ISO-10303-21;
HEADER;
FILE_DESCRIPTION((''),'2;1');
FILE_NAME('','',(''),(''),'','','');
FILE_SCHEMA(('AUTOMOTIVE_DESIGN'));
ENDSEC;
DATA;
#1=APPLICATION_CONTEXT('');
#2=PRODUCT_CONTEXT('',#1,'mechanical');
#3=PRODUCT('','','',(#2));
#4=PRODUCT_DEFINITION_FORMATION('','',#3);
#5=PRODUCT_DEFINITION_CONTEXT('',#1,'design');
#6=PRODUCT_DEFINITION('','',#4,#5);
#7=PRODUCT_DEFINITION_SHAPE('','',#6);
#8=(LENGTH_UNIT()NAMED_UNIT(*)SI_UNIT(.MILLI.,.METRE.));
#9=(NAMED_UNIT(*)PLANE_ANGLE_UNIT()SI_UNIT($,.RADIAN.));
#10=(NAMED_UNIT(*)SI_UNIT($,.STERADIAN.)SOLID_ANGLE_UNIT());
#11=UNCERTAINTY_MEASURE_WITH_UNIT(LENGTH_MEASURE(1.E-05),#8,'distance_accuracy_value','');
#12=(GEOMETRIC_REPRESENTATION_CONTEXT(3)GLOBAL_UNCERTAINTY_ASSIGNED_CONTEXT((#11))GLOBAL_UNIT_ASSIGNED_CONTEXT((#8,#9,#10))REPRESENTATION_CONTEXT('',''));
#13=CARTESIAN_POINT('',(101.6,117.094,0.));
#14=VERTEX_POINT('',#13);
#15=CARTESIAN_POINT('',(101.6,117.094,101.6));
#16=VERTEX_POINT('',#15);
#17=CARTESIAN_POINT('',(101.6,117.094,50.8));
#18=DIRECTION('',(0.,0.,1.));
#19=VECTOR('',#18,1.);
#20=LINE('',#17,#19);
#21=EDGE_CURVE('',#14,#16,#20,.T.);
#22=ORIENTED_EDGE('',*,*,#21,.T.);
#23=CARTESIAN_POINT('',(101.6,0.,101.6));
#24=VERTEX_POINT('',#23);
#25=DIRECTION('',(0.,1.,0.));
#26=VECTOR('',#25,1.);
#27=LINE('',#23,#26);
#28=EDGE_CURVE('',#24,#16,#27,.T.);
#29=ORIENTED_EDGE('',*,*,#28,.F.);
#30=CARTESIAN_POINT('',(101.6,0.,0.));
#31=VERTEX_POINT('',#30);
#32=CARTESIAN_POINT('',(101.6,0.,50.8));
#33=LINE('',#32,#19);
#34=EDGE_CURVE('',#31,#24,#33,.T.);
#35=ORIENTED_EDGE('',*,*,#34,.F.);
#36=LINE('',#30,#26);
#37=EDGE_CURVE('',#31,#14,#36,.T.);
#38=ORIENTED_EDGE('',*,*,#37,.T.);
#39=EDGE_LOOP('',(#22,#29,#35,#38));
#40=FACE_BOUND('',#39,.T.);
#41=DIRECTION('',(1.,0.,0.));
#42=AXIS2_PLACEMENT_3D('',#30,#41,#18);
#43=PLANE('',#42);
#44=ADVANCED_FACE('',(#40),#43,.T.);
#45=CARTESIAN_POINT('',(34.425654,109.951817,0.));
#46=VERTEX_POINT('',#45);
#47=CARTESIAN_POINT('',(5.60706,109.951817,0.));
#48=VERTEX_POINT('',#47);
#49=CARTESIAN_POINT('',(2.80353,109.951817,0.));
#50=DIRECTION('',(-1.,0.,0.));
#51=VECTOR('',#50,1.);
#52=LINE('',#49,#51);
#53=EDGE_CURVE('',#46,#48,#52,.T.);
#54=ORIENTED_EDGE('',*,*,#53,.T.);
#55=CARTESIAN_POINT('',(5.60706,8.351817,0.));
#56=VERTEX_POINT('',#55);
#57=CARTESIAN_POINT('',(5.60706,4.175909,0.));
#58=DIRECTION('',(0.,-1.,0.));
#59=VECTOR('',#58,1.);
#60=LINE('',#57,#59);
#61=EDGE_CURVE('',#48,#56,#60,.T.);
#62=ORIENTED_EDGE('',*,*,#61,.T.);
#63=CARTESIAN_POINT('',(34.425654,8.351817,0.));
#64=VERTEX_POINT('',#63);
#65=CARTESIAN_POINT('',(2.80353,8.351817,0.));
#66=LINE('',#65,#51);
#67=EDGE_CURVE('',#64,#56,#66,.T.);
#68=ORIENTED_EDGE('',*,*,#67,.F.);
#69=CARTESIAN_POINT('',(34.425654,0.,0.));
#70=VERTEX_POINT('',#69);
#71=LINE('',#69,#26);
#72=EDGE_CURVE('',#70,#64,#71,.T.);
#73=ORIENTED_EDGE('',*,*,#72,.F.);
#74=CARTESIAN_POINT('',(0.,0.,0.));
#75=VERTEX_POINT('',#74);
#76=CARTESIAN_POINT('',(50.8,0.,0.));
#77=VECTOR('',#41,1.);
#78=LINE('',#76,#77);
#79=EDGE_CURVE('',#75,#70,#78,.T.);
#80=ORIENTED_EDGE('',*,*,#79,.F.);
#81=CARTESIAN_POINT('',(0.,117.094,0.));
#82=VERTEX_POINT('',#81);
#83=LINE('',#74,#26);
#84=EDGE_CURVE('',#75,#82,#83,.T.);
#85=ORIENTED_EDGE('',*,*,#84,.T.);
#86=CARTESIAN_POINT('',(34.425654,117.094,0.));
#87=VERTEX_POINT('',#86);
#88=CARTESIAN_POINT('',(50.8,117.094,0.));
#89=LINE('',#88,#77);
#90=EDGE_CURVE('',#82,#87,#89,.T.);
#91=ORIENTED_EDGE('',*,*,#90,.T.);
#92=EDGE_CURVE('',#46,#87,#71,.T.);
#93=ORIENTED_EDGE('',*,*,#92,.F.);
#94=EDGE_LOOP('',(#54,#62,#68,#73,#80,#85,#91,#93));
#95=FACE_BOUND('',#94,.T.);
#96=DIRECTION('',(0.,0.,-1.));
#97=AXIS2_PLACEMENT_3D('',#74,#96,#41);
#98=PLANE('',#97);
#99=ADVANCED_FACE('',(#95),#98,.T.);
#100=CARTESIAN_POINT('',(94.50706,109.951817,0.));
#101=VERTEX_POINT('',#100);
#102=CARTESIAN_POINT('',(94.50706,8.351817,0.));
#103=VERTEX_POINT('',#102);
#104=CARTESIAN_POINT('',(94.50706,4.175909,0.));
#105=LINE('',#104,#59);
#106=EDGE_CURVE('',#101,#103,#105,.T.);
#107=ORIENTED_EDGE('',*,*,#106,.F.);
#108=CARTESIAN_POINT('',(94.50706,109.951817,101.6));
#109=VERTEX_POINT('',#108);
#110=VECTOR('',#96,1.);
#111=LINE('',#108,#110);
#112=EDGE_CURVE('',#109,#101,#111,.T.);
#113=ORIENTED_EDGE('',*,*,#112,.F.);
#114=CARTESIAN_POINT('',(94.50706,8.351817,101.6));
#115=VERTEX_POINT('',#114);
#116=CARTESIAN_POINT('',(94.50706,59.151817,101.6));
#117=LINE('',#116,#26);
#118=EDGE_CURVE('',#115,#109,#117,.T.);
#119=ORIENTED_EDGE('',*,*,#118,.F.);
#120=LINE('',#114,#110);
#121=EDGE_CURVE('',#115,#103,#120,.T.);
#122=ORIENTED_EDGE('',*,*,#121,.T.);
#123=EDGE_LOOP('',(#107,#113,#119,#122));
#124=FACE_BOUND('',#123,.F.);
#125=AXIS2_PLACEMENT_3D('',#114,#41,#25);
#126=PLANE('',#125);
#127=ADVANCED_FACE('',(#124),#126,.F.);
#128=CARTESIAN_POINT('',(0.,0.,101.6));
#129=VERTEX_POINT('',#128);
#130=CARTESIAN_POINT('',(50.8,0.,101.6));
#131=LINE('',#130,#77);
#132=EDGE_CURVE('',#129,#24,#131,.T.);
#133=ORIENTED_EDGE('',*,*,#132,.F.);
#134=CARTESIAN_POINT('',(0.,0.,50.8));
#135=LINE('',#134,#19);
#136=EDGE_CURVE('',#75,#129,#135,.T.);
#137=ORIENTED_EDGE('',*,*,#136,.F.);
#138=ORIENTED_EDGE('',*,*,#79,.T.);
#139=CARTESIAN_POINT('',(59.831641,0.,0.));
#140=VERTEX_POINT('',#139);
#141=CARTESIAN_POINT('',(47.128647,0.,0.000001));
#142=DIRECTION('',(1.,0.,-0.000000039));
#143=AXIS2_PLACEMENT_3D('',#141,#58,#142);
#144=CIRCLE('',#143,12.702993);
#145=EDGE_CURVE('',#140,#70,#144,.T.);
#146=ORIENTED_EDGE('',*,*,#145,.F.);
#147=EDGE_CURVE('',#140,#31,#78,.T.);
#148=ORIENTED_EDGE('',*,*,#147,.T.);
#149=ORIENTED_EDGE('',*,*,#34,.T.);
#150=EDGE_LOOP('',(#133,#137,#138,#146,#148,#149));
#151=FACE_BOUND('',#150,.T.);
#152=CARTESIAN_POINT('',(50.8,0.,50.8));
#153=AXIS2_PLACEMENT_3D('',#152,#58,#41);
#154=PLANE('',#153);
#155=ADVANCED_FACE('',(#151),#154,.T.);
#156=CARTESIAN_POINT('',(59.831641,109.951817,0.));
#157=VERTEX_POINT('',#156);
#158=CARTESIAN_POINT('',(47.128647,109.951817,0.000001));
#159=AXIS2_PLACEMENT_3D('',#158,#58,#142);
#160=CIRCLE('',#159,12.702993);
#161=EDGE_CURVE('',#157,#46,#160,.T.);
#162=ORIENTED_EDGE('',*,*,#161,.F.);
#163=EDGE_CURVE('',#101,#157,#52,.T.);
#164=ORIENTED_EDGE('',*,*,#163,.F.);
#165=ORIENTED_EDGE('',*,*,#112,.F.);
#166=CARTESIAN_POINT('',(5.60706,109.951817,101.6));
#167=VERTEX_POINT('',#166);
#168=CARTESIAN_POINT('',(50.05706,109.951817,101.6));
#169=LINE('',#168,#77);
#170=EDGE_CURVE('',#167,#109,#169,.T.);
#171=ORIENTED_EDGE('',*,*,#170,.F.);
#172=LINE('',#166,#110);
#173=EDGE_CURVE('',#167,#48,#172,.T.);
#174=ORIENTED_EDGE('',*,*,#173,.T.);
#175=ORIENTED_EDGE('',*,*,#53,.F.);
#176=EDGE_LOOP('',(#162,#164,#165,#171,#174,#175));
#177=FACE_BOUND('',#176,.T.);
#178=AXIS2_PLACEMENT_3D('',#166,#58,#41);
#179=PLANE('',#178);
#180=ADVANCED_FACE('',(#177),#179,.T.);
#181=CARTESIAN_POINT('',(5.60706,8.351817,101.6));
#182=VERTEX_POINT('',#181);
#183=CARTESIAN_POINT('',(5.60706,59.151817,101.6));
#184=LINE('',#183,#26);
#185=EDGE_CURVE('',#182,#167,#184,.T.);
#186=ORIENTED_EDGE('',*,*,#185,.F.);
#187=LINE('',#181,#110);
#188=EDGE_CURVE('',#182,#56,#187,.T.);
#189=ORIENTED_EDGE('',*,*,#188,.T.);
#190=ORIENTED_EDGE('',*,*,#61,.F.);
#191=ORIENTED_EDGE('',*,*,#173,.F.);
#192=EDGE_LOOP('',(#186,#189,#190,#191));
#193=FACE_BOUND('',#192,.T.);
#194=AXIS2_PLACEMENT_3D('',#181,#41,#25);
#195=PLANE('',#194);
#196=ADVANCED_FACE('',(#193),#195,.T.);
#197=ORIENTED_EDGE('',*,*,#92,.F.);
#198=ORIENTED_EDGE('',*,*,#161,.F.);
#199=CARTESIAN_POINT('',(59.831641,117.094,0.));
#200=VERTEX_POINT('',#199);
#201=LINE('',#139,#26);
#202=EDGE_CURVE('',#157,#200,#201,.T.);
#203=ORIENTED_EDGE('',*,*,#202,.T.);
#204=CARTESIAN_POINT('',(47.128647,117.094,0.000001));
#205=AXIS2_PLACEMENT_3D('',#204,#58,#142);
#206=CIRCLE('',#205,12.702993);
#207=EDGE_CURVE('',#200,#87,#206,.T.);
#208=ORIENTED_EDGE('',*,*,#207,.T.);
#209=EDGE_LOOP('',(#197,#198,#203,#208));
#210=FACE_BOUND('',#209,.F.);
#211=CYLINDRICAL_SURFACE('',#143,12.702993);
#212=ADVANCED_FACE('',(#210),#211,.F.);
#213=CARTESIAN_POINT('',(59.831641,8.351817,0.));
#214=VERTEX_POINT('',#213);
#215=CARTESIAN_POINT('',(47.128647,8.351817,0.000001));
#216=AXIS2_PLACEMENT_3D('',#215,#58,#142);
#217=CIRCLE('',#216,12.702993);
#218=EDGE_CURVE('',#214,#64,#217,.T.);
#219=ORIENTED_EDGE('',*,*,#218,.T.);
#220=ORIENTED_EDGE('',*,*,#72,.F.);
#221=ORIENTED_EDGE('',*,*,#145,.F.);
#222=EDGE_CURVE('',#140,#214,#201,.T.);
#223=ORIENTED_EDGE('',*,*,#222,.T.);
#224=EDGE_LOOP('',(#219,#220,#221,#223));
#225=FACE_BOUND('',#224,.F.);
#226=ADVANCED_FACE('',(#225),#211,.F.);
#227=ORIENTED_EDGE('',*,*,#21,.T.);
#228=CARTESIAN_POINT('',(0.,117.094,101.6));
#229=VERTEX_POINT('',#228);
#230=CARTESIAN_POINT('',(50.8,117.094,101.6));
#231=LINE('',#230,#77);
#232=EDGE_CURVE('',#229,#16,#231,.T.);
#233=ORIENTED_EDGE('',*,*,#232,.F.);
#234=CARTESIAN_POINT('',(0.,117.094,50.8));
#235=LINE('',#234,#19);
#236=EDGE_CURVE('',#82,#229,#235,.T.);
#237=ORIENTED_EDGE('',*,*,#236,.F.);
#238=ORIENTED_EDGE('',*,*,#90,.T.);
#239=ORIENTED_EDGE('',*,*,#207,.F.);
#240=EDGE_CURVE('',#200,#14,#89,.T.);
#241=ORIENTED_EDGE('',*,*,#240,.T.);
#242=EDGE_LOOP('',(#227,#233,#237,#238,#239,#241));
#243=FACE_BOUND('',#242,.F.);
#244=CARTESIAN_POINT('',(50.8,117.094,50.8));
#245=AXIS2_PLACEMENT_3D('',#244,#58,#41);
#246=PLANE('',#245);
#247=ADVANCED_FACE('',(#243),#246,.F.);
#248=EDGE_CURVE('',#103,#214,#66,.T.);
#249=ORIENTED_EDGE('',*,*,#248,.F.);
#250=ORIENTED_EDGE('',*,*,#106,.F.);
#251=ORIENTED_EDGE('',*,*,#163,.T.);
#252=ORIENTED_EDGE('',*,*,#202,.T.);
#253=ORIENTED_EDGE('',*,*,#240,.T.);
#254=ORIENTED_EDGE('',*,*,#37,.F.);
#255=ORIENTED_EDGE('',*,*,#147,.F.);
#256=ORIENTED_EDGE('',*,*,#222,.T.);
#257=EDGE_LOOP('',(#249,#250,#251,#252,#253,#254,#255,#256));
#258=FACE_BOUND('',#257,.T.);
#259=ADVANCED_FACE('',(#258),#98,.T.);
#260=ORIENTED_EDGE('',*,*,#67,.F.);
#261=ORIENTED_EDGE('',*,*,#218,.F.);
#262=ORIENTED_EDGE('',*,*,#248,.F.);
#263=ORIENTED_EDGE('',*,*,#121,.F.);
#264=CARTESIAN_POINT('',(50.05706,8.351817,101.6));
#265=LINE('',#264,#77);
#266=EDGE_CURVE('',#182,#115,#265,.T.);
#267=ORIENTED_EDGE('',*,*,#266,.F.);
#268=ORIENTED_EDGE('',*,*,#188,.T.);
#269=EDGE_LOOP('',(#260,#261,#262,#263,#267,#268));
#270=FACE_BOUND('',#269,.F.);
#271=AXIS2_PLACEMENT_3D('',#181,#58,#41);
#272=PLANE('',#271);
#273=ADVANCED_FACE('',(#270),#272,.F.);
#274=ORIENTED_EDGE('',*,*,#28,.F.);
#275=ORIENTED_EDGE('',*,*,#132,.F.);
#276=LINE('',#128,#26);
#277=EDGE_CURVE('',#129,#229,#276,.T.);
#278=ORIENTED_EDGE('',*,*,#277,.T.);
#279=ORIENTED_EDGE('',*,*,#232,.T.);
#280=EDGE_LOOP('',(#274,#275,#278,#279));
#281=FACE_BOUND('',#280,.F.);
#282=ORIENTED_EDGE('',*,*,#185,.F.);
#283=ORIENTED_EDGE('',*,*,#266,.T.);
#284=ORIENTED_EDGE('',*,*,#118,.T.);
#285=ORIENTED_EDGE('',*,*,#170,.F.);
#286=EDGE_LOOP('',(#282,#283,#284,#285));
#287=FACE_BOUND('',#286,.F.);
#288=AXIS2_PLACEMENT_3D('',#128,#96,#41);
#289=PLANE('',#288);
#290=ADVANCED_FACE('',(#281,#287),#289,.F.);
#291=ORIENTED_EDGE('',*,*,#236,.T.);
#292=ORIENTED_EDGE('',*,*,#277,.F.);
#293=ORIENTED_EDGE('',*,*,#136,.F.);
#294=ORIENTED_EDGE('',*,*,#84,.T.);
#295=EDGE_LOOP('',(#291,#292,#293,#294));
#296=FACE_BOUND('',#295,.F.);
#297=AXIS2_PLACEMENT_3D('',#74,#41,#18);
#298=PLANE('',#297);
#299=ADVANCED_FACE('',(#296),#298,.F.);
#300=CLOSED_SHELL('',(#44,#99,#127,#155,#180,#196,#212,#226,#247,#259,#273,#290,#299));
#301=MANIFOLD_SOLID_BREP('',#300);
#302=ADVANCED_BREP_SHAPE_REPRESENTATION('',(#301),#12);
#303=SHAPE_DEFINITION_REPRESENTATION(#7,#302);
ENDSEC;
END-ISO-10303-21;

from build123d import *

# Parameters (mm, degrees)
F0_W     = 101.6
F0_H     = 101.6
F2_DEPTH = 117.094
F3_DEPTH = 117.094
F4_W     = 88.9
F4_H     = 101.6
F5_DEPTH = 104.394


with BuildPart() as f2:
    # F0 (on Front) → F2 (new body)
    with BuildSketch(Plane.XZ):
        with Locations((50.8, 50.8)):
            Rectangle(F0_W, F0_H)
    extrude(amount=-F2_DEPTH)

    # F1 (on face) → F3 (cut)
    with BuildSketch(Plane.XZ):
        with BuildLine():
            Line((34.425654, 0), (59.831641, 0))
            ThreePointArc((59.831641, 0), (47.128648, 12.702994), (34.425654, 0))
        make_face()
    extrude(amount=-F3_DEPTH, mode=Mode.SUBTRACT)

    # F4 (on face) → F5 (cut)
    with BuildSketch(Plane.XY.offset(101.6)):
        with Locations((50.05706, 59.151817)):
            Rectangle(F4_W, F4_H)
    extrude(amount=-F5_DEPTH, mode=Mode.SUBTRACT)


solid = f2.part
